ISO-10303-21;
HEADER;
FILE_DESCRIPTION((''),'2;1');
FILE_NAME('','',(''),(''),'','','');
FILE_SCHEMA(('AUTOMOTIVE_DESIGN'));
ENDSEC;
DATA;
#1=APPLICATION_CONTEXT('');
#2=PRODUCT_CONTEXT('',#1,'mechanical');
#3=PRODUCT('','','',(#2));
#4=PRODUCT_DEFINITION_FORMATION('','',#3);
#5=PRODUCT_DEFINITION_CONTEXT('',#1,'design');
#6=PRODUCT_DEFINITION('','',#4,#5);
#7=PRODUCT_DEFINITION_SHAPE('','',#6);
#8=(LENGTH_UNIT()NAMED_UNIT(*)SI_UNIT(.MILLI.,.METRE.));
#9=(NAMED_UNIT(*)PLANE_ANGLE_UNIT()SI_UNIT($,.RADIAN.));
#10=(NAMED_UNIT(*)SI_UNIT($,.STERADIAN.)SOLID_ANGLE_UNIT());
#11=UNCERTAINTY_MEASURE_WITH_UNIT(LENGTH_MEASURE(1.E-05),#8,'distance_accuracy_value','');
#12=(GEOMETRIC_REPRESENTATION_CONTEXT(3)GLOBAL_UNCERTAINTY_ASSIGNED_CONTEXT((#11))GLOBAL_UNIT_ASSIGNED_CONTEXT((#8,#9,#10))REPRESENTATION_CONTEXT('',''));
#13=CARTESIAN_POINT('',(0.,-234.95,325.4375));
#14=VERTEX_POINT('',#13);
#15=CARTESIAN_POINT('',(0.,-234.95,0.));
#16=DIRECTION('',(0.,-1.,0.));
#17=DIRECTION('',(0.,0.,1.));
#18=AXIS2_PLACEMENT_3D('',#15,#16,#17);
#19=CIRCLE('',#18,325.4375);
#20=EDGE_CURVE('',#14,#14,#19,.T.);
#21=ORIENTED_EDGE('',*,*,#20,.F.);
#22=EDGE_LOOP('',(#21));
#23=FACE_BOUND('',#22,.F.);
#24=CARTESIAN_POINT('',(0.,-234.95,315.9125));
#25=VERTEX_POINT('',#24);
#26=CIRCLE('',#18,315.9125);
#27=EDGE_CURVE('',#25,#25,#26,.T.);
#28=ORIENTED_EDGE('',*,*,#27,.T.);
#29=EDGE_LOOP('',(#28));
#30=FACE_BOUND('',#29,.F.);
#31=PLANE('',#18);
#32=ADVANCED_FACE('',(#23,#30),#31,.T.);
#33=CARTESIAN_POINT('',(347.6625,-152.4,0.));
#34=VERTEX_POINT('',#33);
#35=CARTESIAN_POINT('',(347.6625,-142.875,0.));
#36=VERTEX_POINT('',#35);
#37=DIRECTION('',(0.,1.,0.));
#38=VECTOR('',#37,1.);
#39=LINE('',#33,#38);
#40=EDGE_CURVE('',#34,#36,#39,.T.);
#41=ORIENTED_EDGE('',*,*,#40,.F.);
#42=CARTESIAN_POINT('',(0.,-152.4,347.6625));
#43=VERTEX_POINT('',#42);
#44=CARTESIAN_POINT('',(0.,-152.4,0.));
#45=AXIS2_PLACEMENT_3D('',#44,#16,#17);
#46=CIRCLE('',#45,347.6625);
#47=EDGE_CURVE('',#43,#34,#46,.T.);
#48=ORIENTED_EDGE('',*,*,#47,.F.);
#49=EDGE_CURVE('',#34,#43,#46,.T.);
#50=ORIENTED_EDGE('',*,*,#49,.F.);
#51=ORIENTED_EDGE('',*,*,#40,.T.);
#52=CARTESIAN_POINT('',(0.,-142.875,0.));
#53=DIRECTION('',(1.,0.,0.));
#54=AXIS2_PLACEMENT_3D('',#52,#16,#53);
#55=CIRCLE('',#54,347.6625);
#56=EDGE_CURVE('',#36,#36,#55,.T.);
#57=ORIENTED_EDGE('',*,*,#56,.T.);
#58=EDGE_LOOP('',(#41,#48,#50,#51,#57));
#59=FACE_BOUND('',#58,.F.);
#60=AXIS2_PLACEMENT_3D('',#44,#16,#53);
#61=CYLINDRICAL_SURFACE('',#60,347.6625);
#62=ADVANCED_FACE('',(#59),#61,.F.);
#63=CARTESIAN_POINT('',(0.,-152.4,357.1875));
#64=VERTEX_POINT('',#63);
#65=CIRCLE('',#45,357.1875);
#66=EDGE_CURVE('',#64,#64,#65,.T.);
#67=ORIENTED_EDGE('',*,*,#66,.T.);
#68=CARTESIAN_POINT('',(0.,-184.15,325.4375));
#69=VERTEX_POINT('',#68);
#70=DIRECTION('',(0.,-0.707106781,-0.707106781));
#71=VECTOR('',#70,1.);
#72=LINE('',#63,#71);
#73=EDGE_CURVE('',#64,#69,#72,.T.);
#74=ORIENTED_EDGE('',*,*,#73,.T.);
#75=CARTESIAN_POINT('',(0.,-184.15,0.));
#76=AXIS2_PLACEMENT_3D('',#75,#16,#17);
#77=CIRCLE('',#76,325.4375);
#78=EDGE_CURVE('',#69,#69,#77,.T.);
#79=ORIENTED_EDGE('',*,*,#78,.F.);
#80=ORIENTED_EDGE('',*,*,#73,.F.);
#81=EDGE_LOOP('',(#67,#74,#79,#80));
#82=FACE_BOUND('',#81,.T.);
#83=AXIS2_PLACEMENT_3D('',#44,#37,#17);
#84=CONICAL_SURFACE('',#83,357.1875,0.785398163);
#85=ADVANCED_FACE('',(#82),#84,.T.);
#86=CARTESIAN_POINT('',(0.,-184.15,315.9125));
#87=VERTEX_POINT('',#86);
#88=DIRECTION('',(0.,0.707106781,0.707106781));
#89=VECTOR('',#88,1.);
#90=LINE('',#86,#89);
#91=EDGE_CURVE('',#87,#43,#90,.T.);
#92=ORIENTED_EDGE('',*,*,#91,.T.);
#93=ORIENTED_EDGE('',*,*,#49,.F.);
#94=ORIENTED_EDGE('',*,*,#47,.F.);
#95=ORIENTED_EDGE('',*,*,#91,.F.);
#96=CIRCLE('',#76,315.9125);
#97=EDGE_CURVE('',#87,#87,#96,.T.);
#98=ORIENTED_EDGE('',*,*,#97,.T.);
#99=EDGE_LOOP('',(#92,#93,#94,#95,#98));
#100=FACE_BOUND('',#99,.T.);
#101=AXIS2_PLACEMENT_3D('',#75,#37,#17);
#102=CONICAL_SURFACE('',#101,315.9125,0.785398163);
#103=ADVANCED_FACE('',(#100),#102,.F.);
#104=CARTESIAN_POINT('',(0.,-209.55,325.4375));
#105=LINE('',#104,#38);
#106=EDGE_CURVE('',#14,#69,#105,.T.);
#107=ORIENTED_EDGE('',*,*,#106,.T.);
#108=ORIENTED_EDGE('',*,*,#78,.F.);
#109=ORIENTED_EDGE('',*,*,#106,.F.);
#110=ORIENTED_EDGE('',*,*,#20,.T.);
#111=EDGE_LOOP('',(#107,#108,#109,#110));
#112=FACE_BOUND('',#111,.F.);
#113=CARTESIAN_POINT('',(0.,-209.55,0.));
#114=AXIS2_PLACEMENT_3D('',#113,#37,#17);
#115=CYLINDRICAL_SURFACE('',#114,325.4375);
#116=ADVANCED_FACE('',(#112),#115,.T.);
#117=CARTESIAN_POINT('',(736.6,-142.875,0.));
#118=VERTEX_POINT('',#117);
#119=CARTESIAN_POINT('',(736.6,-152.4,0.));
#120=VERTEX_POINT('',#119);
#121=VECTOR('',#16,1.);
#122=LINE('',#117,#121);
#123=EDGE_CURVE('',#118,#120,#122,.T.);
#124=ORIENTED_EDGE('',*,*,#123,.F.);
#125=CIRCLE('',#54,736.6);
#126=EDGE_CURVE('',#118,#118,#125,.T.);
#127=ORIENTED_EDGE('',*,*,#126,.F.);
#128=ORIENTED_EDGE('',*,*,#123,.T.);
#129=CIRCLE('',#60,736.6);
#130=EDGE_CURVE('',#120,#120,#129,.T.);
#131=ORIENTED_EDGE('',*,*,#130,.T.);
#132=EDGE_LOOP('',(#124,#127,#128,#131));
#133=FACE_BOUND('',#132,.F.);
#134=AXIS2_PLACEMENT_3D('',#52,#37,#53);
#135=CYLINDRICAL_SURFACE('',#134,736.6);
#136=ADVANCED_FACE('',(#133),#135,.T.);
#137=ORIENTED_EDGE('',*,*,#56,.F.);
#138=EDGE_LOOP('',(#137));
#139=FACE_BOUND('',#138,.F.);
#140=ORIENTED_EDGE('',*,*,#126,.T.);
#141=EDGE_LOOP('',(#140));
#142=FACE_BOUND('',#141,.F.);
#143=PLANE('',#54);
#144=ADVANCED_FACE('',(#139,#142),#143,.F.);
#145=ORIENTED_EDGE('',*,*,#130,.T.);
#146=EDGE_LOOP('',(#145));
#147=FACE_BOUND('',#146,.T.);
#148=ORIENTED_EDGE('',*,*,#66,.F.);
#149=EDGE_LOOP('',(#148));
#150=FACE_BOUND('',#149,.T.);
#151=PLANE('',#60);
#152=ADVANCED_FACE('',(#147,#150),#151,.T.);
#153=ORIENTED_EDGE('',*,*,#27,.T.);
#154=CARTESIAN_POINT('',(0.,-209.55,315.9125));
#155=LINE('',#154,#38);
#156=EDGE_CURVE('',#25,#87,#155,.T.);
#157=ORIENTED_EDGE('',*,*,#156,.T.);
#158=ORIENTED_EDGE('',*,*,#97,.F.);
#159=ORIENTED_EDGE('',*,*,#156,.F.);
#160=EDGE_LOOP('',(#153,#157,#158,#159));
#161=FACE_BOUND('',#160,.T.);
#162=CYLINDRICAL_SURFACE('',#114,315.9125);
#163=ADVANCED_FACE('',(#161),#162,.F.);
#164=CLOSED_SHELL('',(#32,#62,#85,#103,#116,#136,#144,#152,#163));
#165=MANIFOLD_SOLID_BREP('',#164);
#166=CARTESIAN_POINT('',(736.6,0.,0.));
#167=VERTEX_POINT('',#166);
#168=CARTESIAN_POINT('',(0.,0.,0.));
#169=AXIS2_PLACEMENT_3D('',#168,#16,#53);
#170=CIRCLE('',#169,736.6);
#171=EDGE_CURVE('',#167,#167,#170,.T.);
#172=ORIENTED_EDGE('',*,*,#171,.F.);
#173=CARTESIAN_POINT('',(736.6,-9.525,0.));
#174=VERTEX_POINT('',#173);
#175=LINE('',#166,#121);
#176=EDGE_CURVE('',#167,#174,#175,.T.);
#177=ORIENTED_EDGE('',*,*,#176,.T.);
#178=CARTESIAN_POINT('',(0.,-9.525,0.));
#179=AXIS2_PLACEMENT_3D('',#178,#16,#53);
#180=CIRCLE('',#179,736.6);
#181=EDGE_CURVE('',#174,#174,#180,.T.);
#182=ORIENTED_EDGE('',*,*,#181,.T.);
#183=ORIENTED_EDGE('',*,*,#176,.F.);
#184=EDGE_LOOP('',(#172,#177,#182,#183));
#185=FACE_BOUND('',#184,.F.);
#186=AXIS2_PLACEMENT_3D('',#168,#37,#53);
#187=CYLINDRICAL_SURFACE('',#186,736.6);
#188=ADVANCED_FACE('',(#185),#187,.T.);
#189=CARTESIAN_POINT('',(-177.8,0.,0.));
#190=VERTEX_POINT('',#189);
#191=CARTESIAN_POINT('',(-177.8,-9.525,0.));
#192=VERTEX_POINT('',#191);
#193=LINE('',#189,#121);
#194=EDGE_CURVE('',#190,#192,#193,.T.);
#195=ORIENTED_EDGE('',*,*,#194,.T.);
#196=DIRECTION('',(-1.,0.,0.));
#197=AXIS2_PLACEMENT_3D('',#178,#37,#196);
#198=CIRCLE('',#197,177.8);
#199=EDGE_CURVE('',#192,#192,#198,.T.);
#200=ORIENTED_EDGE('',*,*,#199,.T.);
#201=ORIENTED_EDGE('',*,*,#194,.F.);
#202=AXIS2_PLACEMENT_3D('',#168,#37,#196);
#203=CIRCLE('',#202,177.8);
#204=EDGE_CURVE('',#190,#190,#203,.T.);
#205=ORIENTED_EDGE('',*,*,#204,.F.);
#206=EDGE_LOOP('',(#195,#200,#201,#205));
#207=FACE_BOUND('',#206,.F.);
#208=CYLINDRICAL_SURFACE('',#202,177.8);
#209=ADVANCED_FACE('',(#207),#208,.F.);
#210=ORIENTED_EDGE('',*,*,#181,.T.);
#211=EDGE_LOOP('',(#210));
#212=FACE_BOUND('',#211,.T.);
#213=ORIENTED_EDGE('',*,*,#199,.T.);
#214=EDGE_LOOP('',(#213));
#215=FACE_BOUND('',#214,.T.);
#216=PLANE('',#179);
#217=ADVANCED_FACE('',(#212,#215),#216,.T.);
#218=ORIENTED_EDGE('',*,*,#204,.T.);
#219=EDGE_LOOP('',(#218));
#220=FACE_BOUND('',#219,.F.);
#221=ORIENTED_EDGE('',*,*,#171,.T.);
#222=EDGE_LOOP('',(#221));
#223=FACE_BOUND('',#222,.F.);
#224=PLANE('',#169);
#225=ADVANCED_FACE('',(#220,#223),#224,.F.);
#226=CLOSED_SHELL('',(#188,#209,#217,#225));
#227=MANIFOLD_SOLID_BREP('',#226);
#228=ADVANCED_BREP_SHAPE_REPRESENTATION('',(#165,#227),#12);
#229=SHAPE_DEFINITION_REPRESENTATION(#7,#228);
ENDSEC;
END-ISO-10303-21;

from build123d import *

# Parameters (mm, degrees)
F0_R      = 736.6
F1_DEPTH  = 9.525
F3_R      = 736.6
F4_DEPTH  = 9.525
F8_W      = 50.8
F8_H      = 9.525
F7_R      = 347.6625
F10_DEPTH = 25.4
F11_R     = 177.8
F12_DEPTH = 25.4


with BuildPart() as f1:
    # F0 (on Front) → F1 (new body)
    with BuildSketch(Plane.XZ):
        Circle(F0_R)
    extrude(amount=F1_DEPTH)

    # F11 (on face) → F12 (cut)
    with BuildSketch(Plane(origin=(0, 0, 0), x_dir=(-1, 0, 0), z_dir=(0, 1, 0))):
        Circle(F11_R)
    extrude(amount=-F12_DEPTH, mode=Mode.SUBTRACT)


with BuildPart() as f4:
    # F3 (on offset) → F4 (new body)
    with BuildSketch(Plane.XZ.offset(142.875)):
        Circle(F3_R)
    extrude(amount=F4_DEPTH)

    # F8 (on Right) → F9 (revolve)
    with BuildSketch(Plane.YZ):
        Polygon((-184.15, 325.4375), (-184.15, 315.9125), (-152.4, 347.6625), (-152.4, 357.1875), align=None)
        with Locations((-209.55, 320.675)):
            Rectangle(F8_W, F8_H)
    revolve(axis=Axis((0, -152.4, 0), (0, -1, 0)))

    # F7 (on face) → F10 (cut)
    with BuildSketch(Plane.XZ.offset(152.4)):
        Circle(F7_R)
    extrude(amount=-F10_DEPTH, mode=Mode.SUBTRACT)


solid = Compound([f1.part, f4.part])
